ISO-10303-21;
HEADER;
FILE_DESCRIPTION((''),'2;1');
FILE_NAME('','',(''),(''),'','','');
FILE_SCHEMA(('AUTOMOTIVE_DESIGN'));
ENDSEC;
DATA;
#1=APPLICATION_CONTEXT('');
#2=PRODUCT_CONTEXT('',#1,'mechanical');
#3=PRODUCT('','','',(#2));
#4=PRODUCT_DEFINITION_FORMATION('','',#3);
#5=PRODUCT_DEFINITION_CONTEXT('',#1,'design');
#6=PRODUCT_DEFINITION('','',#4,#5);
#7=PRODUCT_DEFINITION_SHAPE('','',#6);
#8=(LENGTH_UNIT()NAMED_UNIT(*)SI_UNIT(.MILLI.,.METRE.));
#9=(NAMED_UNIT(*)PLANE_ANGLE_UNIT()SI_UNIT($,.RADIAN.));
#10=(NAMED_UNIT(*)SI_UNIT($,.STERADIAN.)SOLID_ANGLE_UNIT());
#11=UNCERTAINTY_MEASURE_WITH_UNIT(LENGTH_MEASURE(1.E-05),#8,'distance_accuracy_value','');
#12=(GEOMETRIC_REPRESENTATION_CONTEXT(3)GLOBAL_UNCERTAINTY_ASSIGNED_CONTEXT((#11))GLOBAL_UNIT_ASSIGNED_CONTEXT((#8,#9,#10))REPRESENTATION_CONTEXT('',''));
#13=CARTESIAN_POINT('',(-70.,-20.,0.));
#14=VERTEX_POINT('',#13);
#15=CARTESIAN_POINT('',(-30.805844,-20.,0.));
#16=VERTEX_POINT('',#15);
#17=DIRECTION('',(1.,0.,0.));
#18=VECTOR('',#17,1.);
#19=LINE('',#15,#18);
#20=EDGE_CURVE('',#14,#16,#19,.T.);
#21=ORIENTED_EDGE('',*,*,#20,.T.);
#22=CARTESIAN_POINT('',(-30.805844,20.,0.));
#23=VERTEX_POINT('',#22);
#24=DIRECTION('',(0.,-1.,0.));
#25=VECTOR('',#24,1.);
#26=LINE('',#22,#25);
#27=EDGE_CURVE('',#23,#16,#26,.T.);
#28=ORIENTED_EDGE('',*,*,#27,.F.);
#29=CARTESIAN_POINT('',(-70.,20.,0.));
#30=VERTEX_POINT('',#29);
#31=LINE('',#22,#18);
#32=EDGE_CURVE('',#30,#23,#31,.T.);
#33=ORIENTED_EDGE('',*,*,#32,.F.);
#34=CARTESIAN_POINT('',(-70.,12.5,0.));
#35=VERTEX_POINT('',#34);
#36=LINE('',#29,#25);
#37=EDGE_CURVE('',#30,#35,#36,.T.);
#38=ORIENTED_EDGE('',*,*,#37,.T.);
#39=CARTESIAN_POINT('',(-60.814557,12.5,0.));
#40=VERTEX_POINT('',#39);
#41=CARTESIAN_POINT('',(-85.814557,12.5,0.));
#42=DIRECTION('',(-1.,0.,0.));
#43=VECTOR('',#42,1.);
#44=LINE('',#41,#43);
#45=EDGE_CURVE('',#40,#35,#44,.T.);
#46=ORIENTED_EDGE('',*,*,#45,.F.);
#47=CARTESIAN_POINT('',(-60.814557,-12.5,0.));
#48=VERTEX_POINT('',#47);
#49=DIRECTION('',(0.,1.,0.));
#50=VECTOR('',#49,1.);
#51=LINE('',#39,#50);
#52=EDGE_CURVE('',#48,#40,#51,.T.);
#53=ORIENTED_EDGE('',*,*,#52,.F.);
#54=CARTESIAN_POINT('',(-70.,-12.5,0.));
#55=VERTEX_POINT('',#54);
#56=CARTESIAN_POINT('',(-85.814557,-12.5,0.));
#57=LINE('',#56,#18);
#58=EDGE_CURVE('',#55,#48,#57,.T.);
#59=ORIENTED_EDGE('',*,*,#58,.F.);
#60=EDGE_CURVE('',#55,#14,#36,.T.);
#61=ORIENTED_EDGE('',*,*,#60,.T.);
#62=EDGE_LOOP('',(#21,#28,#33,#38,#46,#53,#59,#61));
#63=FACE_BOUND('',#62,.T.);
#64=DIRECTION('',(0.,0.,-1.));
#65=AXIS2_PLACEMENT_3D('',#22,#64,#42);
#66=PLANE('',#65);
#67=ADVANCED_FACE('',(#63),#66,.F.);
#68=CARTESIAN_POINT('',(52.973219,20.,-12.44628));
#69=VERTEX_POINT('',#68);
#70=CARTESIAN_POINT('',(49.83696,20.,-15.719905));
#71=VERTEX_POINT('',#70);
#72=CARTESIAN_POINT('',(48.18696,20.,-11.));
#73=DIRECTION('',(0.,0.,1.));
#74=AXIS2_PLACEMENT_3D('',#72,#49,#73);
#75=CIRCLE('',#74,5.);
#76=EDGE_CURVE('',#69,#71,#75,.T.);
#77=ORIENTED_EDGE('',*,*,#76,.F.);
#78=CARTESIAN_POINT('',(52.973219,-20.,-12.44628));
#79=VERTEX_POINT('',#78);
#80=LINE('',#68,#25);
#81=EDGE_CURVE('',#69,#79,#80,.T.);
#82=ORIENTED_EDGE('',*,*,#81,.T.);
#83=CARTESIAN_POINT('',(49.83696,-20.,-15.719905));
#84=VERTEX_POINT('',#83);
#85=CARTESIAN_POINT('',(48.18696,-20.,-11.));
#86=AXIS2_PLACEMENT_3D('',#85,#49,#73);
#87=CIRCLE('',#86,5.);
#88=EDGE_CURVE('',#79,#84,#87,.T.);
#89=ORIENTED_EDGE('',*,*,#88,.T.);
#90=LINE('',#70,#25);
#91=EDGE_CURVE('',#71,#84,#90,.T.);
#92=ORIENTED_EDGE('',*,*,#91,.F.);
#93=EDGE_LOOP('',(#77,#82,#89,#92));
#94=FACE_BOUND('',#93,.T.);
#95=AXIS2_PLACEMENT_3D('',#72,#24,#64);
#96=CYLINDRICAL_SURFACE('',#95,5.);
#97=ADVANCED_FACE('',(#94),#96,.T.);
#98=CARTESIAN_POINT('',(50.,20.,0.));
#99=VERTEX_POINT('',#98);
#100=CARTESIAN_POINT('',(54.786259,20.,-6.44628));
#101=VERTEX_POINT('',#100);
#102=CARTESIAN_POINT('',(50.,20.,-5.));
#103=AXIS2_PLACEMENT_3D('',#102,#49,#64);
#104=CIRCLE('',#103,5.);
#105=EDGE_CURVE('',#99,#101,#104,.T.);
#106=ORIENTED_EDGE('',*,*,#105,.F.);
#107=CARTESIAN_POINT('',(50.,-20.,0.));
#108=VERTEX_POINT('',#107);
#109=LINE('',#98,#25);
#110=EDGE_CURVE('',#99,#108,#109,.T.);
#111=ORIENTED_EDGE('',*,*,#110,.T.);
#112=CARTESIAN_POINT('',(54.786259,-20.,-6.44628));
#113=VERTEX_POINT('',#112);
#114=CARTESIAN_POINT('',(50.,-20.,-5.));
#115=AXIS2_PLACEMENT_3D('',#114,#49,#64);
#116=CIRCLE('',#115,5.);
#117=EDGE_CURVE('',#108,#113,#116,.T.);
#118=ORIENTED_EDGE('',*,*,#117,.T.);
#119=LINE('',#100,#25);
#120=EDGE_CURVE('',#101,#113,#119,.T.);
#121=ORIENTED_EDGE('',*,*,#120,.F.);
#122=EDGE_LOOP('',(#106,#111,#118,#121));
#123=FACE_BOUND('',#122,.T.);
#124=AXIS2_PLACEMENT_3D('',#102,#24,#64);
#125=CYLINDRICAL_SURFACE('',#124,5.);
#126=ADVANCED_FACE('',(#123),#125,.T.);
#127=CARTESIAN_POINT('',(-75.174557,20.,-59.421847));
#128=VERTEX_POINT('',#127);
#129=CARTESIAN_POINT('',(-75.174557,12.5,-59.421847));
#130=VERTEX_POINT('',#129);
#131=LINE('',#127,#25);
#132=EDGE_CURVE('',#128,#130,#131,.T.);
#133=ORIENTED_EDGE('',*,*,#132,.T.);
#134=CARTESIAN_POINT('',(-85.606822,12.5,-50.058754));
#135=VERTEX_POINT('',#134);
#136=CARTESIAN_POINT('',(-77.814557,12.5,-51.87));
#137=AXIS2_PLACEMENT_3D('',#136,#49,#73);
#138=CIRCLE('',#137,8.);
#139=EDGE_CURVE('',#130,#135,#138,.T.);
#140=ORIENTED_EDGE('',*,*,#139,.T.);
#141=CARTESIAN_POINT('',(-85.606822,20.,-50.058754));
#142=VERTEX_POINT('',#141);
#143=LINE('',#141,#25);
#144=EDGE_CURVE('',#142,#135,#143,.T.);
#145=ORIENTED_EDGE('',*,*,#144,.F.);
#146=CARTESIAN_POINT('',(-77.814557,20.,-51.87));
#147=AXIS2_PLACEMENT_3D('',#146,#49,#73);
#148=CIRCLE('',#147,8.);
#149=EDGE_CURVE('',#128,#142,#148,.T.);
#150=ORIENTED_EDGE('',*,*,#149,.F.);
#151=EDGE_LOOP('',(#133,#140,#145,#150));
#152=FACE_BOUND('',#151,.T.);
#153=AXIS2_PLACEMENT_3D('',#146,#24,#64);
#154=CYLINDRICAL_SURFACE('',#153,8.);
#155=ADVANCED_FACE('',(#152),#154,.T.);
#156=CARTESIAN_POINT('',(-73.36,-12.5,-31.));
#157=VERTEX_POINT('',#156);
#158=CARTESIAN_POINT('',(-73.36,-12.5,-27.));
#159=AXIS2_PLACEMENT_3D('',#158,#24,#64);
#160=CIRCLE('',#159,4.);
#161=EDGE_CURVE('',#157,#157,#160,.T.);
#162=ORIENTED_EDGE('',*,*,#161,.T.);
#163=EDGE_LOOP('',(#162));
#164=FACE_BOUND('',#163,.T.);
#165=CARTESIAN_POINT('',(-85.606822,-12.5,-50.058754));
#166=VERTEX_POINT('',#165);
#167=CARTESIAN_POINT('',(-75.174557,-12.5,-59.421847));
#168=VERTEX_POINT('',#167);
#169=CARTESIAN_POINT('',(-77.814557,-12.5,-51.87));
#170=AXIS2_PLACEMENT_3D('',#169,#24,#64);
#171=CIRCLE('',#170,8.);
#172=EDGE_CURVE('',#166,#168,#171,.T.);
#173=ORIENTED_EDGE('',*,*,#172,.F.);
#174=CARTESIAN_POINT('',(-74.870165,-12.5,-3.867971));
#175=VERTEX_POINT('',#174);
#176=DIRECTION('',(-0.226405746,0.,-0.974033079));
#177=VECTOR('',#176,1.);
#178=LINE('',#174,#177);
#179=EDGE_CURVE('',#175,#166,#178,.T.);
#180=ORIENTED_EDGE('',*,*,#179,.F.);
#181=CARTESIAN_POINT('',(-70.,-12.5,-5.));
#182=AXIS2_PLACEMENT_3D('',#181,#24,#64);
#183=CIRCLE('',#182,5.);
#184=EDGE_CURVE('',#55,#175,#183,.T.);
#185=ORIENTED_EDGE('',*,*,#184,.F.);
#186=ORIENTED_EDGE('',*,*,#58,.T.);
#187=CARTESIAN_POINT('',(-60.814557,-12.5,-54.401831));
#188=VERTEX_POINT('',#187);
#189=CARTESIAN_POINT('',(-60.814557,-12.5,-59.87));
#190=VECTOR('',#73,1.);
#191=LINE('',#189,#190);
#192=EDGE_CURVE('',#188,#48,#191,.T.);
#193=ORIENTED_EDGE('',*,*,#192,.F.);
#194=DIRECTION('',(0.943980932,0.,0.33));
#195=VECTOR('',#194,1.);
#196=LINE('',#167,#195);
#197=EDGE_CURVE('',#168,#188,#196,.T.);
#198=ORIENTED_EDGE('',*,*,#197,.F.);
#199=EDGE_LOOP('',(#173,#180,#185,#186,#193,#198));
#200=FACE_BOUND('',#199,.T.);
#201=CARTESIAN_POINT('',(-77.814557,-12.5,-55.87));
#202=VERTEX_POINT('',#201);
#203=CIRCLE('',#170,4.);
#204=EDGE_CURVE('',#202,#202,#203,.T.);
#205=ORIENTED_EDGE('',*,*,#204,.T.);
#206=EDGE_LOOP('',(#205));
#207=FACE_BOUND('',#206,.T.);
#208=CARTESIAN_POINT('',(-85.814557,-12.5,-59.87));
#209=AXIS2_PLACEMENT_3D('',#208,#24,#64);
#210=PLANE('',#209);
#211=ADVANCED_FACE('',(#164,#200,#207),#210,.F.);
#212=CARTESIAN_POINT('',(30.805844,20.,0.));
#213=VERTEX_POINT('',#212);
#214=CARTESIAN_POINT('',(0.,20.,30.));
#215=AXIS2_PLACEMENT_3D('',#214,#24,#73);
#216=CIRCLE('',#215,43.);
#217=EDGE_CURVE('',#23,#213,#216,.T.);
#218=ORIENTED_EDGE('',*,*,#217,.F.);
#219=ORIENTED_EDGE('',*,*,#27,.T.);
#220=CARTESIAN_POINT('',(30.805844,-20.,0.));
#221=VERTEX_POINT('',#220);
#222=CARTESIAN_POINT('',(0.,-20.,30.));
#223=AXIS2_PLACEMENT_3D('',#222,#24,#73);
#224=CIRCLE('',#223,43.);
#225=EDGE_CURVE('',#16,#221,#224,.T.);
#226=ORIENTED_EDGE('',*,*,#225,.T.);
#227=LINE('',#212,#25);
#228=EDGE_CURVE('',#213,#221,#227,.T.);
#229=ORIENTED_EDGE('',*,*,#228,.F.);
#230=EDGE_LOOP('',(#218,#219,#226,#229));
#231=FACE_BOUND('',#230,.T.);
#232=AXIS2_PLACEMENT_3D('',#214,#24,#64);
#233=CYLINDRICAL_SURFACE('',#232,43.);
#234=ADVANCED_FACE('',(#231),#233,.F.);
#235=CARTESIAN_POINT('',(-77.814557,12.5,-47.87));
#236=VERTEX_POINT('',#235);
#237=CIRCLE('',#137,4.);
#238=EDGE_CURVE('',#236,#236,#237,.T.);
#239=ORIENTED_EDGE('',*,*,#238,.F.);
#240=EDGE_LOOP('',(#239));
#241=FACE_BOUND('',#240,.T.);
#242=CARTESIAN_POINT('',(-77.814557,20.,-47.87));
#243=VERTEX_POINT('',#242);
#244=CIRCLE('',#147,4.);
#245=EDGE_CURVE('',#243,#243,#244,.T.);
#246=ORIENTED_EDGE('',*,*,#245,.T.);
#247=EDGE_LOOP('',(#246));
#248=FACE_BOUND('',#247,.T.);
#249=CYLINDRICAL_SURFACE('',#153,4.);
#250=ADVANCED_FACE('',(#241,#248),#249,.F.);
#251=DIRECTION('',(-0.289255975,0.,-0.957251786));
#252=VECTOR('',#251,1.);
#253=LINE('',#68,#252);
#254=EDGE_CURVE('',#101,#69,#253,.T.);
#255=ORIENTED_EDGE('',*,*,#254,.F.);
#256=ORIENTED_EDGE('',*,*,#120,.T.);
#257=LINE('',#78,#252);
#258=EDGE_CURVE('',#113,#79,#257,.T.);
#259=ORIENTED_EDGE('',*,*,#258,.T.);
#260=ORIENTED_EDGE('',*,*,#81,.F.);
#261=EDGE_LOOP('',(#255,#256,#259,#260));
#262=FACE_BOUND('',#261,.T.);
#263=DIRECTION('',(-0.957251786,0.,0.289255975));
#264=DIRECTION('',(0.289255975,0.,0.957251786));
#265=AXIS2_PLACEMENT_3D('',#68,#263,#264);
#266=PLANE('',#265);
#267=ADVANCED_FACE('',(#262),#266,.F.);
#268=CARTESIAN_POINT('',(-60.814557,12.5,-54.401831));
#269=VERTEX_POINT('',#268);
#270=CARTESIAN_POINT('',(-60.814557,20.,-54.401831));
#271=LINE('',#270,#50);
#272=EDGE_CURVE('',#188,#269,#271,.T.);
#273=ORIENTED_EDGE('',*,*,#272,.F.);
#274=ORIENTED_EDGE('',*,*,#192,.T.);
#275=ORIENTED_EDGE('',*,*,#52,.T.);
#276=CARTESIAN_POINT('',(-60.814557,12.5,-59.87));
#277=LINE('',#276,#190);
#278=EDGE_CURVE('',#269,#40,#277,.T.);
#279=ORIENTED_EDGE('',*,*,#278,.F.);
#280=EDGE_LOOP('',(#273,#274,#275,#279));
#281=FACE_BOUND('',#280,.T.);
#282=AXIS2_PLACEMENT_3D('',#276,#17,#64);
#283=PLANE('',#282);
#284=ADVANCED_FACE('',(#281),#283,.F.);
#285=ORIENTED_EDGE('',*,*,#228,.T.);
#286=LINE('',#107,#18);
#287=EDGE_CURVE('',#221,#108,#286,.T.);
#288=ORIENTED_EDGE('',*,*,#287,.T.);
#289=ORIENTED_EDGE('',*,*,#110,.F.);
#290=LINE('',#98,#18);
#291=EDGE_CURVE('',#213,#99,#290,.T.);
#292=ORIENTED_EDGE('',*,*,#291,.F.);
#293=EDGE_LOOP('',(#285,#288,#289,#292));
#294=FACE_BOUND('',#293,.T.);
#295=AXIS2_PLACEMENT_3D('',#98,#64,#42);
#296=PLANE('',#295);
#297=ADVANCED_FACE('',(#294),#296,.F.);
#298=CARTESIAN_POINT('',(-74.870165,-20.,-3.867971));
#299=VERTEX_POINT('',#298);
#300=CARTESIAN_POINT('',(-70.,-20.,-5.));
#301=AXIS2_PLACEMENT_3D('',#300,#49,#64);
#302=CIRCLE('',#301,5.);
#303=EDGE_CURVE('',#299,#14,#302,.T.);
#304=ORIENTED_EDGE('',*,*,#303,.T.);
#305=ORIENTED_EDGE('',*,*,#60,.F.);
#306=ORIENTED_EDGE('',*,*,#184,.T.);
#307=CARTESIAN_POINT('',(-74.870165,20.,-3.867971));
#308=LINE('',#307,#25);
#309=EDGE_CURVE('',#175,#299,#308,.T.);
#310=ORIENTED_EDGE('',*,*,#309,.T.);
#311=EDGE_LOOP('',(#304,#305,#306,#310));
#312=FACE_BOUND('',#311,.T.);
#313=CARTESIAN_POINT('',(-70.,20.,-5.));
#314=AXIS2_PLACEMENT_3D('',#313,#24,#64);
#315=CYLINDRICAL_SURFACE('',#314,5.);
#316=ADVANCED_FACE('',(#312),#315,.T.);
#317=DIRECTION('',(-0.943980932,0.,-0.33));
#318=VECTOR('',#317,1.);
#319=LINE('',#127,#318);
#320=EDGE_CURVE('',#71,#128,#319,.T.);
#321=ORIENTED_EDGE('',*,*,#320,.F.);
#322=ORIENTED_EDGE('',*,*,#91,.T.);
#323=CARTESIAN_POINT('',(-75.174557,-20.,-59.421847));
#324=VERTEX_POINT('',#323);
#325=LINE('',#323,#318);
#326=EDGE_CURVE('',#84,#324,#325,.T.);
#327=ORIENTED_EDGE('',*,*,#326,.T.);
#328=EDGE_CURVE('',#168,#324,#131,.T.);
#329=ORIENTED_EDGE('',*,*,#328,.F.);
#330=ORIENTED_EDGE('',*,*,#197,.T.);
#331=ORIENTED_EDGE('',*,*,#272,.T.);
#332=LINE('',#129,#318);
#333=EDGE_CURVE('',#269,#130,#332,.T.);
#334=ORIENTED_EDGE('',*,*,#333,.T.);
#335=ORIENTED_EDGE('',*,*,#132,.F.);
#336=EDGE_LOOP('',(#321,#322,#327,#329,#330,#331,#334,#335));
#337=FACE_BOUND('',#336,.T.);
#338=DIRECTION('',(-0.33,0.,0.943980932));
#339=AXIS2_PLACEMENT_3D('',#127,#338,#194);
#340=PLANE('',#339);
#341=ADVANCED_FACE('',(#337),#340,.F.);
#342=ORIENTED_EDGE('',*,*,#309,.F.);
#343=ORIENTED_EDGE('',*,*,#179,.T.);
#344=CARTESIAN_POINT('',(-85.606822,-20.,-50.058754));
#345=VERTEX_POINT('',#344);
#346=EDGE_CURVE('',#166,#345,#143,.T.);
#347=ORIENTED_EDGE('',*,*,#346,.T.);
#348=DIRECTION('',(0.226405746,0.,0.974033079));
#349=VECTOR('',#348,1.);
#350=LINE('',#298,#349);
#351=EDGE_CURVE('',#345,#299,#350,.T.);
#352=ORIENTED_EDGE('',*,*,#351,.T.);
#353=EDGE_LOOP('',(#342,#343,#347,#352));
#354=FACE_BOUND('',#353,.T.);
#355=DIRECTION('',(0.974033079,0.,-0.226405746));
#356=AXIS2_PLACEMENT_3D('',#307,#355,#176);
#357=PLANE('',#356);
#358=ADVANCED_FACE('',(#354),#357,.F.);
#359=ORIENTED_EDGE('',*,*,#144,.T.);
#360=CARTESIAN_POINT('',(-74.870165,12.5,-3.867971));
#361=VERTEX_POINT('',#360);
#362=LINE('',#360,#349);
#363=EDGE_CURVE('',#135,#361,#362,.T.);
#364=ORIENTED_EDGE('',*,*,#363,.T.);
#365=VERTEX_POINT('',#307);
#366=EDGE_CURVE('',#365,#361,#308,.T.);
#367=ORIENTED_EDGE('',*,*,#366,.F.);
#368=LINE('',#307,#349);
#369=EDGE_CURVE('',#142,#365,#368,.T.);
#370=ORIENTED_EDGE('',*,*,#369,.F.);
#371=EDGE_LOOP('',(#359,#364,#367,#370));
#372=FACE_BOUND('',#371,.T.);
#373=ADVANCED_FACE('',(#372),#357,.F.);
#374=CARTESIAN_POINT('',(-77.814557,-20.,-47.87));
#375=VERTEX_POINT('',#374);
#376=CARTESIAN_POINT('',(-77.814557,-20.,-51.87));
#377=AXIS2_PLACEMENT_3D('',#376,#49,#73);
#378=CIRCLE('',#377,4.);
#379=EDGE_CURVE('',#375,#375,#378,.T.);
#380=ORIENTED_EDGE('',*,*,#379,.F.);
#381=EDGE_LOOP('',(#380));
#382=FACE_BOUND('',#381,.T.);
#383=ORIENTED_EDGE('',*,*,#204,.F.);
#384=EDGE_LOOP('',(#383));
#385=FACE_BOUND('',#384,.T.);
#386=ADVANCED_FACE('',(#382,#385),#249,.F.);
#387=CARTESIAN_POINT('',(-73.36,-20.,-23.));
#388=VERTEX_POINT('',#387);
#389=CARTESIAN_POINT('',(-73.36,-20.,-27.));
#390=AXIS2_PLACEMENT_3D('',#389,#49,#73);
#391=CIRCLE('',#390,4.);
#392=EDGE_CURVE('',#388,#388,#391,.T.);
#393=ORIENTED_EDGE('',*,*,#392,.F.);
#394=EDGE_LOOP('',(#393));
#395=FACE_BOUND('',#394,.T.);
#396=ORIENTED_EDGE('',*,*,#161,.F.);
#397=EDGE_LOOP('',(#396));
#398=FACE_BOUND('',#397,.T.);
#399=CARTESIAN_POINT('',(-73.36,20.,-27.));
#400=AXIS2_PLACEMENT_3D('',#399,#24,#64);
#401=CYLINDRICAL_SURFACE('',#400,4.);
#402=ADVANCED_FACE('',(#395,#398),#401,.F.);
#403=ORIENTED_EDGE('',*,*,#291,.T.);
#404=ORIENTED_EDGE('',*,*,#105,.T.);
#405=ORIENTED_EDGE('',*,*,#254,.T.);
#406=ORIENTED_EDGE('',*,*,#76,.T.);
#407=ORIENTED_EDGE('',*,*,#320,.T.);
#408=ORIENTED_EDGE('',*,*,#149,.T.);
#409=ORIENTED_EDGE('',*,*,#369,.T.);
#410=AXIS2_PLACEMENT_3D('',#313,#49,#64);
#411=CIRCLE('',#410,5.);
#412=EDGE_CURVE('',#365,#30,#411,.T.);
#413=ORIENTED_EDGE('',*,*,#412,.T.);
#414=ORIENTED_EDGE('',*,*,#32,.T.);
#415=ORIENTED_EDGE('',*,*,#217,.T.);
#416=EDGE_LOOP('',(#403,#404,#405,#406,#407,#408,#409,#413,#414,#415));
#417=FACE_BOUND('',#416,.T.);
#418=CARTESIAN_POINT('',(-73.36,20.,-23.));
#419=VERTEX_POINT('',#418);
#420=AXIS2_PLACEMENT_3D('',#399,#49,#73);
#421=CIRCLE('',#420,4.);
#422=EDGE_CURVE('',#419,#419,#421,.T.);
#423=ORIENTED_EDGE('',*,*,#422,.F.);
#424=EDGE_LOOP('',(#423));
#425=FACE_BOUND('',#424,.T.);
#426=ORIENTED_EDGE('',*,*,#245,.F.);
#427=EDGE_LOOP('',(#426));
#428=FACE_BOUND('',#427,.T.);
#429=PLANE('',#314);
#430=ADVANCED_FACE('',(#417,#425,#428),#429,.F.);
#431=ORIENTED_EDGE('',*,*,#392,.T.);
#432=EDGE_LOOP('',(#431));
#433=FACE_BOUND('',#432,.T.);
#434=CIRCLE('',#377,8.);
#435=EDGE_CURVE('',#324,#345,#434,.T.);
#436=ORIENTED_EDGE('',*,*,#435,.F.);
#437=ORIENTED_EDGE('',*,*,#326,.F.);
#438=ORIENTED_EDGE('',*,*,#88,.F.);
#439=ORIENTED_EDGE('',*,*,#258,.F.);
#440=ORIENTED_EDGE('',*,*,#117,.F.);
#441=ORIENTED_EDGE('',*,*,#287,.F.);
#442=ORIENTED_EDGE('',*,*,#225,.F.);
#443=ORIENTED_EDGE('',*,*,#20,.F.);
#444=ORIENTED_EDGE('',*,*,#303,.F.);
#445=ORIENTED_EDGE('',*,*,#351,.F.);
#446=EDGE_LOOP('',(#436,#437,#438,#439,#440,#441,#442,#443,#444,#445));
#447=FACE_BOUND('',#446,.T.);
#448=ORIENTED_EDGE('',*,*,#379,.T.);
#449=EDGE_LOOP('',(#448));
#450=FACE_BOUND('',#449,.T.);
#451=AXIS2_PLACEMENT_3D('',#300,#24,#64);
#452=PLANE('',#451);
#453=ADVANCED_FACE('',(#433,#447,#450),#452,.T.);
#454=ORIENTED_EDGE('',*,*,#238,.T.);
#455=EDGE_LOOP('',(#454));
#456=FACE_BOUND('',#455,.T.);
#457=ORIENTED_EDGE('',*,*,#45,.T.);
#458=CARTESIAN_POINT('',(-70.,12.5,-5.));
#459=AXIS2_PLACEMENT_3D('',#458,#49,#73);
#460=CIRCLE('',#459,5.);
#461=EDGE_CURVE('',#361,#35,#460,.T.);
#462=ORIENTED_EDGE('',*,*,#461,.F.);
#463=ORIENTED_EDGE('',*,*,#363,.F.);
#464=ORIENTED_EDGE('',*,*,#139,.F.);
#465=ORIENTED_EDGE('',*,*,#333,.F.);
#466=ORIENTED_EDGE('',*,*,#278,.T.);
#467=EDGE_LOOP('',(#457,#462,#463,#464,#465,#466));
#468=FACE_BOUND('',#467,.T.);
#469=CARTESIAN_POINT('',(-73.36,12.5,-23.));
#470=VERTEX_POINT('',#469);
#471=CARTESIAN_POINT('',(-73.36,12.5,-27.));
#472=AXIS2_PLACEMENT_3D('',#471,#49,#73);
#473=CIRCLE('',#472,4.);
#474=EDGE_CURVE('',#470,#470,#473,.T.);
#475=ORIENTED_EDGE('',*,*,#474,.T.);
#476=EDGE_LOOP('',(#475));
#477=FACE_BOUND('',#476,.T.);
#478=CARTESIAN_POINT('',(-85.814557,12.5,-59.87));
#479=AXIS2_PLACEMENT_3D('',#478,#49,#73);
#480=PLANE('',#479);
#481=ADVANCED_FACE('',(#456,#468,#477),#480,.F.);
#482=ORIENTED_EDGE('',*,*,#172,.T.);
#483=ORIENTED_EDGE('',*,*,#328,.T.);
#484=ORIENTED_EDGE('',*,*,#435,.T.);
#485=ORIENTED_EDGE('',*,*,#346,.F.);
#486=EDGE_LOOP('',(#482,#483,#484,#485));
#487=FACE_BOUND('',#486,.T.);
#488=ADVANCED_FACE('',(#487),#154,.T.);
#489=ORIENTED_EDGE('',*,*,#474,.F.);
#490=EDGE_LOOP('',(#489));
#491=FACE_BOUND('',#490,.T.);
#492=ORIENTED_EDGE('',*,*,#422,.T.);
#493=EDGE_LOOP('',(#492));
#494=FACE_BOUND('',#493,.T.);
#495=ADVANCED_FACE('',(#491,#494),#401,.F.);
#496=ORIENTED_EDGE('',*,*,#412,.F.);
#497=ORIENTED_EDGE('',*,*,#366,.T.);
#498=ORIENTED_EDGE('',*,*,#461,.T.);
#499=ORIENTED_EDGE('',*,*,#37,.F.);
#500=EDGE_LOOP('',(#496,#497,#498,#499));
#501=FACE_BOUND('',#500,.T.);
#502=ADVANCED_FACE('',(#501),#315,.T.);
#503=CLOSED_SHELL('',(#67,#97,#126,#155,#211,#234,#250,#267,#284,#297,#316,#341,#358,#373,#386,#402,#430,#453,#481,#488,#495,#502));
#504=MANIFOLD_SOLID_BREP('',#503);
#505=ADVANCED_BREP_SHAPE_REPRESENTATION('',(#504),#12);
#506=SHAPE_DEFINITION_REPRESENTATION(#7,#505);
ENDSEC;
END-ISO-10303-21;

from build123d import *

# Parameters (mm, degrees)
SKETCH2_R           = 4
BOSS_EXTRUDE1_DEPTH = 20
SKETCH3_W           = 25
SKETCH3_H           = 25
CUT_EXTRUDE1_DEPTH  = 107.529597523


with BuildPart() as part:
    # Sketch2 → Boss-Extrude1 (new, symmetric)
    with BuildSketch(Plane(origin=(0, 0, 0), x_dir=(1, 0, 0), z_dir=(0, 1, 0))):
        with BuildLine():
            Line((-30.805843601, 0), (-70, 0))
            ThreePointArc((-70, 0), (-73.109650812, 1.084636437), (-74.870165393, 3.867971269))
            Line((-74.870165393, 3.867971269), (-85.606821951, 50.05875403))
            ThreePointArc((-85.606821951, 50.05875403), (-83.158089611, 57.823709992), (-75.174557322, 59.421847456))
            Line((-75.174557322, 59.421847456), (49.836959924, 15.71990466))
            ThreePointArc((49.836959924, 15.71990466), (51.797432477, 14.458972094), (52.973218852, 12.446279875))
            Line((52.973218852, 12.446279875), (54.786258928, 6.446279875))
            ThreePointArc((54.786258928, 6.446279875), (54.01443641, 2.019345657), (50, 0))
            Line((50, 0), (30.805843601, 0))
            ThreePointArc((30.805843601, 0), (0, 13), (-30.805843601, 0))
        make_face()
        with Locations(Location((-77.814557322, 51.87, 0), (0, 0, 270))):
            Circle(SKETCH2_R, mode=Mode.SUBTRACT)
        with Locations(Location((-73.36, 27, 0), (0, 0, 270))):
            Circle(SKETCH2_R, mode=Mode.SUBTRACT)
    extrude(amount=BOSS_EXTRUDE1_DEPTH, both=True)

    # Sketch3 → Cut-Extrude1 (cut, through all)
    with BuildSketch(Plane.XY):
        with Locations((-73.314557322, 0)):
            Rectangle(SKETCH3_W, SKETCH3_H)
    extrude(amount=-CUT_EXTRUDE1_DEPTH, mode=Mode.SUBTRACT)


solid = part.part
